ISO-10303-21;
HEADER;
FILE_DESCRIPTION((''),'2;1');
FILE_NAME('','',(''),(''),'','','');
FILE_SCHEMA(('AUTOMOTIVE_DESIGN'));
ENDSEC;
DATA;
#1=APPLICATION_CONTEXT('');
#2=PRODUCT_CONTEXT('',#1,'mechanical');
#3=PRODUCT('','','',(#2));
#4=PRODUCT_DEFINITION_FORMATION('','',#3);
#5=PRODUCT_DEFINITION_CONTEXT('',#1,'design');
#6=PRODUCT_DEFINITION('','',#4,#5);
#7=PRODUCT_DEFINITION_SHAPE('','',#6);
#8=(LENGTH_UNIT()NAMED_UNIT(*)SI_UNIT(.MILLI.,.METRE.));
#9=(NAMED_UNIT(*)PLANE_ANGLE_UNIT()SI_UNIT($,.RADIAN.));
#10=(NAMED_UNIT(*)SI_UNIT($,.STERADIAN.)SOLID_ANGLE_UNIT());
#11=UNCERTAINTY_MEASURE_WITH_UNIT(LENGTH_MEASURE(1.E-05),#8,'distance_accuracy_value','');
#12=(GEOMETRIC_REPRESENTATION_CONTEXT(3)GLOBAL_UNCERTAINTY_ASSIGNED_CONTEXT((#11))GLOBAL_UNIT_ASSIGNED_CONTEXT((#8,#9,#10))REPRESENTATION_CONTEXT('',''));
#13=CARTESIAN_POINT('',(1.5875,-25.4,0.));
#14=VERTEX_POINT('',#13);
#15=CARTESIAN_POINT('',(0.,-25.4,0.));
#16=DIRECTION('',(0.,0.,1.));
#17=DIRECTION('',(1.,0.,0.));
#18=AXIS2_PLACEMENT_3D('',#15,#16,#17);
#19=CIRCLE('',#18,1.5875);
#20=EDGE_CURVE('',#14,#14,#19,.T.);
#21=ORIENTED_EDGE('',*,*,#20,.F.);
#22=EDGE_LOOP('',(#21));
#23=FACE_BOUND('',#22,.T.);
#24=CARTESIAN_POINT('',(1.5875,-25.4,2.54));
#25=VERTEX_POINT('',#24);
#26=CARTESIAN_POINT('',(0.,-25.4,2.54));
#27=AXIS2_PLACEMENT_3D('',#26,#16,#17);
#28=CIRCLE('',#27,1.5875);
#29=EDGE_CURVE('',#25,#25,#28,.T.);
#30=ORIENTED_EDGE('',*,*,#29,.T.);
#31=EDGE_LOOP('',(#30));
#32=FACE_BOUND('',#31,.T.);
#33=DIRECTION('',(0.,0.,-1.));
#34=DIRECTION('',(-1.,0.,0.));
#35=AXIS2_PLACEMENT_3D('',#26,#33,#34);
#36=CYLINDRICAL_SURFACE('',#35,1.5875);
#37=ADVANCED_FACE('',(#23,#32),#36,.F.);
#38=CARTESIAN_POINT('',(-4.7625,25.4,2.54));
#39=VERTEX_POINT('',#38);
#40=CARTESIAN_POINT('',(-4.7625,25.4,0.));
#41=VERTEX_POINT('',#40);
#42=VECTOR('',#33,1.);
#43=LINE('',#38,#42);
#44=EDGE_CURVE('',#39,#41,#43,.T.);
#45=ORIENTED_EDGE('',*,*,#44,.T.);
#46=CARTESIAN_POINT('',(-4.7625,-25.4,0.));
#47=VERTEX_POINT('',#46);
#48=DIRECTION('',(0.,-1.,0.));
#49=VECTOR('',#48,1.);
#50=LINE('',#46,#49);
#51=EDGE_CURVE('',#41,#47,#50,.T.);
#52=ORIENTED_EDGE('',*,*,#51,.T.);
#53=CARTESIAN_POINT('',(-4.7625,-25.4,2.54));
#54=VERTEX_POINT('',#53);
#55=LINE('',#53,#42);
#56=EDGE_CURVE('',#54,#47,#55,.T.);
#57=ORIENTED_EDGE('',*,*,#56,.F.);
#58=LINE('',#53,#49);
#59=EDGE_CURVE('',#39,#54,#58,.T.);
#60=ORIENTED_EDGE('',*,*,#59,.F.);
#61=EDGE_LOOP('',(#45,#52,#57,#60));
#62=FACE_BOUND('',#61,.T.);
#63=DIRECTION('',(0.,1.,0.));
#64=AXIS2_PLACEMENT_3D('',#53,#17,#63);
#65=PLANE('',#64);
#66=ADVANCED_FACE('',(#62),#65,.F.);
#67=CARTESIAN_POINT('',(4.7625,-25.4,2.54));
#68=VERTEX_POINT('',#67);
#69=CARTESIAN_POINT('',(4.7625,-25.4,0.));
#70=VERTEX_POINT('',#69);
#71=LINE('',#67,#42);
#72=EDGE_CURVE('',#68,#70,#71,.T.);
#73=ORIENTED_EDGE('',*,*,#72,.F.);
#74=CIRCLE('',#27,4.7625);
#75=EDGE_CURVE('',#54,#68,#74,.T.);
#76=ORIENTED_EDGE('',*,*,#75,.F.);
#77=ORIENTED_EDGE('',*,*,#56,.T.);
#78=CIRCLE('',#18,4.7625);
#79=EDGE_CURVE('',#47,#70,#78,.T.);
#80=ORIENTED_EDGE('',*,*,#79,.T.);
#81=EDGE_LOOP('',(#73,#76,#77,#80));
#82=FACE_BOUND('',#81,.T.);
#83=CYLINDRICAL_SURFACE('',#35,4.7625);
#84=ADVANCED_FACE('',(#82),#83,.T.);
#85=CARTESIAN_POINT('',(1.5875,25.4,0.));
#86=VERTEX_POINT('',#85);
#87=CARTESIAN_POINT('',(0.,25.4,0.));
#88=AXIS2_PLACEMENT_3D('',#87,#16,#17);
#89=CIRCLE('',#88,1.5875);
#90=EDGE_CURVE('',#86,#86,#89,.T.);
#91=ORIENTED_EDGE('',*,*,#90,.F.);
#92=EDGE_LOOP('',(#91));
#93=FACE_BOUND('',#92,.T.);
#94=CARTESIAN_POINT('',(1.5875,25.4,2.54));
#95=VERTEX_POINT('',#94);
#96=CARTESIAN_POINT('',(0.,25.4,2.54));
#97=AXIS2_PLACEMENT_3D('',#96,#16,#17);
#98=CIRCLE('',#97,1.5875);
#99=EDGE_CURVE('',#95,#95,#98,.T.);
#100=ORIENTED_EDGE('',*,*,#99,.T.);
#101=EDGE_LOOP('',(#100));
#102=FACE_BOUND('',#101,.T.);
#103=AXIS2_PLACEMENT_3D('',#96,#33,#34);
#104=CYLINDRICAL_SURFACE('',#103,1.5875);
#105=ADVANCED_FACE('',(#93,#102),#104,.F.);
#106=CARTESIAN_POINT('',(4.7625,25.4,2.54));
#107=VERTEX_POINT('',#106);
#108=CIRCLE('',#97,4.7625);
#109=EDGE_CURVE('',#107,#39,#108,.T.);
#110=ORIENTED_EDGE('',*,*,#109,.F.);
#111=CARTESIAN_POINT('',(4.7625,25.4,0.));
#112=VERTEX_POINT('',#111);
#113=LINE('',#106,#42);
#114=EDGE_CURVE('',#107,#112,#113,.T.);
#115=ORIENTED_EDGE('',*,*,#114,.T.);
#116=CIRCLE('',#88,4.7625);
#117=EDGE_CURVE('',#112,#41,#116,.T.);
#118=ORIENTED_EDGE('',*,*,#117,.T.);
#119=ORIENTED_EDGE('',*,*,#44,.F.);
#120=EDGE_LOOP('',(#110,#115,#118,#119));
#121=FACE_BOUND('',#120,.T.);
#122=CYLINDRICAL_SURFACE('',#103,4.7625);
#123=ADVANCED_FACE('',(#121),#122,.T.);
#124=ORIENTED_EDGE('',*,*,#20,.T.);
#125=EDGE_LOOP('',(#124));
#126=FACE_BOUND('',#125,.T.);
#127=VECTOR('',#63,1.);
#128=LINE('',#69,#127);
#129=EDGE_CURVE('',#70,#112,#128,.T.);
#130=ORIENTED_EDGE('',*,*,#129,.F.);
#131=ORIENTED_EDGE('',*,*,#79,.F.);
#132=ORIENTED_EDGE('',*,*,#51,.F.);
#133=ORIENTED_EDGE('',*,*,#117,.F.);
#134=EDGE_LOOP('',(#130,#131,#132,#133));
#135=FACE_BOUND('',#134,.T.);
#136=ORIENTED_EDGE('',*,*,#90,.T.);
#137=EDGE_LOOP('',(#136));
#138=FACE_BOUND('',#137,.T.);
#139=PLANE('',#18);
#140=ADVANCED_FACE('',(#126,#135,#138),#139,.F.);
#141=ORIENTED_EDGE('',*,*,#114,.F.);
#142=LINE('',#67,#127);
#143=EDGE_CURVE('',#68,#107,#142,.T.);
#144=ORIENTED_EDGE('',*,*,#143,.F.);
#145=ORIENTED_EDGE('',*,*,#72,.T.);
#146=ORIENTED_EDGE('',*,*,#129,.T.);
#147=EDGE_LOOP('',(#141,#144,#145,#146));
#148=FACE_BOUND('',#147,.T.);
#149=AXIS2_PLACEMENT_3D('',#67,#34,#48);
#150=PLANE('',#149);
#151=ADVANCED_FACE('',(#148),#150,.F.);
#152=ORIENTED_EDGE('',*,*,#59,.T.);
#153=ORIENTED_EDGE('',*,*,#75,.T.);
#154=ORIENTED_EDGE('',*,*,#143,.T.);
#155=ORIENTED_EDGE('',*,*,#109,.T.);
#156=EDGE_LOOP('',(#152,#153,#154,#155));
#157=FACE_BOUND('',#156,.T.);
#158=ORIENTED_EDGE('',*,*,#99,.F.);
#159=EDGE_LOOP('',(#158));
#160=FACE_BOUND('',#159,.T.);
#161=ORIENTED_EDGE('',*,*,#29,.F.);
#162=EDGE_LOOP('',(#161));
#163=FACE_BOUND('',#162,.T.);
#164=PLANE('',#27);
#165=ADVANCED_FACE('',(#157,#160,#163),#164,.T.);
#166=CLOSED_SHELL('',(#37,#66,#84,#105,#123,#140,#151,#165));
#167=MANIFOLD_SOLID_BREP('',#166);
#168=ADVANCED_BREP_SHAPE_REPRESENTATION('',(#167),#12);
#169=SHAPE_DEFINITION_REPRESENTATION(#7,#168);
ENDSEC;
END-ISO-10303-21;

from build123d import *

# Parameters (mm, degrees)
SKETCH1_R           = 1.5875
BOSS_EXTRUDE1_DEPTH = 2.54


with BuildPart() as part:
    # Sketch1 → Boss-Extrude1 (new body)
    with BuildSketch(Plane.XY):
        with BuildLine():
            Line((-4.7625, -25.4), (-4.7625, 25.4))
            ThreePointArc((-4.7625, 25.4), (0, 30.1625), (4.7625, 25.4))
            Line((4.7625, 25.4), (4.7625, -25.4))
            ThreePointArc((4.7625, -25.4), (0, -30.1625), (-4.7625, -25.4))
        make_face()
        with Locations((0, 25.4)):
            Circle(SKETCH1_R, mode=Mode.SUBTRACT)
        with Locations((0, -25.4)):
            Circle(SKETCH1_R, mode=Mode.SUBTRACT)
    extrude(amount=BOSS_EXTRUDE1_DEPTH)


solid = part.part
